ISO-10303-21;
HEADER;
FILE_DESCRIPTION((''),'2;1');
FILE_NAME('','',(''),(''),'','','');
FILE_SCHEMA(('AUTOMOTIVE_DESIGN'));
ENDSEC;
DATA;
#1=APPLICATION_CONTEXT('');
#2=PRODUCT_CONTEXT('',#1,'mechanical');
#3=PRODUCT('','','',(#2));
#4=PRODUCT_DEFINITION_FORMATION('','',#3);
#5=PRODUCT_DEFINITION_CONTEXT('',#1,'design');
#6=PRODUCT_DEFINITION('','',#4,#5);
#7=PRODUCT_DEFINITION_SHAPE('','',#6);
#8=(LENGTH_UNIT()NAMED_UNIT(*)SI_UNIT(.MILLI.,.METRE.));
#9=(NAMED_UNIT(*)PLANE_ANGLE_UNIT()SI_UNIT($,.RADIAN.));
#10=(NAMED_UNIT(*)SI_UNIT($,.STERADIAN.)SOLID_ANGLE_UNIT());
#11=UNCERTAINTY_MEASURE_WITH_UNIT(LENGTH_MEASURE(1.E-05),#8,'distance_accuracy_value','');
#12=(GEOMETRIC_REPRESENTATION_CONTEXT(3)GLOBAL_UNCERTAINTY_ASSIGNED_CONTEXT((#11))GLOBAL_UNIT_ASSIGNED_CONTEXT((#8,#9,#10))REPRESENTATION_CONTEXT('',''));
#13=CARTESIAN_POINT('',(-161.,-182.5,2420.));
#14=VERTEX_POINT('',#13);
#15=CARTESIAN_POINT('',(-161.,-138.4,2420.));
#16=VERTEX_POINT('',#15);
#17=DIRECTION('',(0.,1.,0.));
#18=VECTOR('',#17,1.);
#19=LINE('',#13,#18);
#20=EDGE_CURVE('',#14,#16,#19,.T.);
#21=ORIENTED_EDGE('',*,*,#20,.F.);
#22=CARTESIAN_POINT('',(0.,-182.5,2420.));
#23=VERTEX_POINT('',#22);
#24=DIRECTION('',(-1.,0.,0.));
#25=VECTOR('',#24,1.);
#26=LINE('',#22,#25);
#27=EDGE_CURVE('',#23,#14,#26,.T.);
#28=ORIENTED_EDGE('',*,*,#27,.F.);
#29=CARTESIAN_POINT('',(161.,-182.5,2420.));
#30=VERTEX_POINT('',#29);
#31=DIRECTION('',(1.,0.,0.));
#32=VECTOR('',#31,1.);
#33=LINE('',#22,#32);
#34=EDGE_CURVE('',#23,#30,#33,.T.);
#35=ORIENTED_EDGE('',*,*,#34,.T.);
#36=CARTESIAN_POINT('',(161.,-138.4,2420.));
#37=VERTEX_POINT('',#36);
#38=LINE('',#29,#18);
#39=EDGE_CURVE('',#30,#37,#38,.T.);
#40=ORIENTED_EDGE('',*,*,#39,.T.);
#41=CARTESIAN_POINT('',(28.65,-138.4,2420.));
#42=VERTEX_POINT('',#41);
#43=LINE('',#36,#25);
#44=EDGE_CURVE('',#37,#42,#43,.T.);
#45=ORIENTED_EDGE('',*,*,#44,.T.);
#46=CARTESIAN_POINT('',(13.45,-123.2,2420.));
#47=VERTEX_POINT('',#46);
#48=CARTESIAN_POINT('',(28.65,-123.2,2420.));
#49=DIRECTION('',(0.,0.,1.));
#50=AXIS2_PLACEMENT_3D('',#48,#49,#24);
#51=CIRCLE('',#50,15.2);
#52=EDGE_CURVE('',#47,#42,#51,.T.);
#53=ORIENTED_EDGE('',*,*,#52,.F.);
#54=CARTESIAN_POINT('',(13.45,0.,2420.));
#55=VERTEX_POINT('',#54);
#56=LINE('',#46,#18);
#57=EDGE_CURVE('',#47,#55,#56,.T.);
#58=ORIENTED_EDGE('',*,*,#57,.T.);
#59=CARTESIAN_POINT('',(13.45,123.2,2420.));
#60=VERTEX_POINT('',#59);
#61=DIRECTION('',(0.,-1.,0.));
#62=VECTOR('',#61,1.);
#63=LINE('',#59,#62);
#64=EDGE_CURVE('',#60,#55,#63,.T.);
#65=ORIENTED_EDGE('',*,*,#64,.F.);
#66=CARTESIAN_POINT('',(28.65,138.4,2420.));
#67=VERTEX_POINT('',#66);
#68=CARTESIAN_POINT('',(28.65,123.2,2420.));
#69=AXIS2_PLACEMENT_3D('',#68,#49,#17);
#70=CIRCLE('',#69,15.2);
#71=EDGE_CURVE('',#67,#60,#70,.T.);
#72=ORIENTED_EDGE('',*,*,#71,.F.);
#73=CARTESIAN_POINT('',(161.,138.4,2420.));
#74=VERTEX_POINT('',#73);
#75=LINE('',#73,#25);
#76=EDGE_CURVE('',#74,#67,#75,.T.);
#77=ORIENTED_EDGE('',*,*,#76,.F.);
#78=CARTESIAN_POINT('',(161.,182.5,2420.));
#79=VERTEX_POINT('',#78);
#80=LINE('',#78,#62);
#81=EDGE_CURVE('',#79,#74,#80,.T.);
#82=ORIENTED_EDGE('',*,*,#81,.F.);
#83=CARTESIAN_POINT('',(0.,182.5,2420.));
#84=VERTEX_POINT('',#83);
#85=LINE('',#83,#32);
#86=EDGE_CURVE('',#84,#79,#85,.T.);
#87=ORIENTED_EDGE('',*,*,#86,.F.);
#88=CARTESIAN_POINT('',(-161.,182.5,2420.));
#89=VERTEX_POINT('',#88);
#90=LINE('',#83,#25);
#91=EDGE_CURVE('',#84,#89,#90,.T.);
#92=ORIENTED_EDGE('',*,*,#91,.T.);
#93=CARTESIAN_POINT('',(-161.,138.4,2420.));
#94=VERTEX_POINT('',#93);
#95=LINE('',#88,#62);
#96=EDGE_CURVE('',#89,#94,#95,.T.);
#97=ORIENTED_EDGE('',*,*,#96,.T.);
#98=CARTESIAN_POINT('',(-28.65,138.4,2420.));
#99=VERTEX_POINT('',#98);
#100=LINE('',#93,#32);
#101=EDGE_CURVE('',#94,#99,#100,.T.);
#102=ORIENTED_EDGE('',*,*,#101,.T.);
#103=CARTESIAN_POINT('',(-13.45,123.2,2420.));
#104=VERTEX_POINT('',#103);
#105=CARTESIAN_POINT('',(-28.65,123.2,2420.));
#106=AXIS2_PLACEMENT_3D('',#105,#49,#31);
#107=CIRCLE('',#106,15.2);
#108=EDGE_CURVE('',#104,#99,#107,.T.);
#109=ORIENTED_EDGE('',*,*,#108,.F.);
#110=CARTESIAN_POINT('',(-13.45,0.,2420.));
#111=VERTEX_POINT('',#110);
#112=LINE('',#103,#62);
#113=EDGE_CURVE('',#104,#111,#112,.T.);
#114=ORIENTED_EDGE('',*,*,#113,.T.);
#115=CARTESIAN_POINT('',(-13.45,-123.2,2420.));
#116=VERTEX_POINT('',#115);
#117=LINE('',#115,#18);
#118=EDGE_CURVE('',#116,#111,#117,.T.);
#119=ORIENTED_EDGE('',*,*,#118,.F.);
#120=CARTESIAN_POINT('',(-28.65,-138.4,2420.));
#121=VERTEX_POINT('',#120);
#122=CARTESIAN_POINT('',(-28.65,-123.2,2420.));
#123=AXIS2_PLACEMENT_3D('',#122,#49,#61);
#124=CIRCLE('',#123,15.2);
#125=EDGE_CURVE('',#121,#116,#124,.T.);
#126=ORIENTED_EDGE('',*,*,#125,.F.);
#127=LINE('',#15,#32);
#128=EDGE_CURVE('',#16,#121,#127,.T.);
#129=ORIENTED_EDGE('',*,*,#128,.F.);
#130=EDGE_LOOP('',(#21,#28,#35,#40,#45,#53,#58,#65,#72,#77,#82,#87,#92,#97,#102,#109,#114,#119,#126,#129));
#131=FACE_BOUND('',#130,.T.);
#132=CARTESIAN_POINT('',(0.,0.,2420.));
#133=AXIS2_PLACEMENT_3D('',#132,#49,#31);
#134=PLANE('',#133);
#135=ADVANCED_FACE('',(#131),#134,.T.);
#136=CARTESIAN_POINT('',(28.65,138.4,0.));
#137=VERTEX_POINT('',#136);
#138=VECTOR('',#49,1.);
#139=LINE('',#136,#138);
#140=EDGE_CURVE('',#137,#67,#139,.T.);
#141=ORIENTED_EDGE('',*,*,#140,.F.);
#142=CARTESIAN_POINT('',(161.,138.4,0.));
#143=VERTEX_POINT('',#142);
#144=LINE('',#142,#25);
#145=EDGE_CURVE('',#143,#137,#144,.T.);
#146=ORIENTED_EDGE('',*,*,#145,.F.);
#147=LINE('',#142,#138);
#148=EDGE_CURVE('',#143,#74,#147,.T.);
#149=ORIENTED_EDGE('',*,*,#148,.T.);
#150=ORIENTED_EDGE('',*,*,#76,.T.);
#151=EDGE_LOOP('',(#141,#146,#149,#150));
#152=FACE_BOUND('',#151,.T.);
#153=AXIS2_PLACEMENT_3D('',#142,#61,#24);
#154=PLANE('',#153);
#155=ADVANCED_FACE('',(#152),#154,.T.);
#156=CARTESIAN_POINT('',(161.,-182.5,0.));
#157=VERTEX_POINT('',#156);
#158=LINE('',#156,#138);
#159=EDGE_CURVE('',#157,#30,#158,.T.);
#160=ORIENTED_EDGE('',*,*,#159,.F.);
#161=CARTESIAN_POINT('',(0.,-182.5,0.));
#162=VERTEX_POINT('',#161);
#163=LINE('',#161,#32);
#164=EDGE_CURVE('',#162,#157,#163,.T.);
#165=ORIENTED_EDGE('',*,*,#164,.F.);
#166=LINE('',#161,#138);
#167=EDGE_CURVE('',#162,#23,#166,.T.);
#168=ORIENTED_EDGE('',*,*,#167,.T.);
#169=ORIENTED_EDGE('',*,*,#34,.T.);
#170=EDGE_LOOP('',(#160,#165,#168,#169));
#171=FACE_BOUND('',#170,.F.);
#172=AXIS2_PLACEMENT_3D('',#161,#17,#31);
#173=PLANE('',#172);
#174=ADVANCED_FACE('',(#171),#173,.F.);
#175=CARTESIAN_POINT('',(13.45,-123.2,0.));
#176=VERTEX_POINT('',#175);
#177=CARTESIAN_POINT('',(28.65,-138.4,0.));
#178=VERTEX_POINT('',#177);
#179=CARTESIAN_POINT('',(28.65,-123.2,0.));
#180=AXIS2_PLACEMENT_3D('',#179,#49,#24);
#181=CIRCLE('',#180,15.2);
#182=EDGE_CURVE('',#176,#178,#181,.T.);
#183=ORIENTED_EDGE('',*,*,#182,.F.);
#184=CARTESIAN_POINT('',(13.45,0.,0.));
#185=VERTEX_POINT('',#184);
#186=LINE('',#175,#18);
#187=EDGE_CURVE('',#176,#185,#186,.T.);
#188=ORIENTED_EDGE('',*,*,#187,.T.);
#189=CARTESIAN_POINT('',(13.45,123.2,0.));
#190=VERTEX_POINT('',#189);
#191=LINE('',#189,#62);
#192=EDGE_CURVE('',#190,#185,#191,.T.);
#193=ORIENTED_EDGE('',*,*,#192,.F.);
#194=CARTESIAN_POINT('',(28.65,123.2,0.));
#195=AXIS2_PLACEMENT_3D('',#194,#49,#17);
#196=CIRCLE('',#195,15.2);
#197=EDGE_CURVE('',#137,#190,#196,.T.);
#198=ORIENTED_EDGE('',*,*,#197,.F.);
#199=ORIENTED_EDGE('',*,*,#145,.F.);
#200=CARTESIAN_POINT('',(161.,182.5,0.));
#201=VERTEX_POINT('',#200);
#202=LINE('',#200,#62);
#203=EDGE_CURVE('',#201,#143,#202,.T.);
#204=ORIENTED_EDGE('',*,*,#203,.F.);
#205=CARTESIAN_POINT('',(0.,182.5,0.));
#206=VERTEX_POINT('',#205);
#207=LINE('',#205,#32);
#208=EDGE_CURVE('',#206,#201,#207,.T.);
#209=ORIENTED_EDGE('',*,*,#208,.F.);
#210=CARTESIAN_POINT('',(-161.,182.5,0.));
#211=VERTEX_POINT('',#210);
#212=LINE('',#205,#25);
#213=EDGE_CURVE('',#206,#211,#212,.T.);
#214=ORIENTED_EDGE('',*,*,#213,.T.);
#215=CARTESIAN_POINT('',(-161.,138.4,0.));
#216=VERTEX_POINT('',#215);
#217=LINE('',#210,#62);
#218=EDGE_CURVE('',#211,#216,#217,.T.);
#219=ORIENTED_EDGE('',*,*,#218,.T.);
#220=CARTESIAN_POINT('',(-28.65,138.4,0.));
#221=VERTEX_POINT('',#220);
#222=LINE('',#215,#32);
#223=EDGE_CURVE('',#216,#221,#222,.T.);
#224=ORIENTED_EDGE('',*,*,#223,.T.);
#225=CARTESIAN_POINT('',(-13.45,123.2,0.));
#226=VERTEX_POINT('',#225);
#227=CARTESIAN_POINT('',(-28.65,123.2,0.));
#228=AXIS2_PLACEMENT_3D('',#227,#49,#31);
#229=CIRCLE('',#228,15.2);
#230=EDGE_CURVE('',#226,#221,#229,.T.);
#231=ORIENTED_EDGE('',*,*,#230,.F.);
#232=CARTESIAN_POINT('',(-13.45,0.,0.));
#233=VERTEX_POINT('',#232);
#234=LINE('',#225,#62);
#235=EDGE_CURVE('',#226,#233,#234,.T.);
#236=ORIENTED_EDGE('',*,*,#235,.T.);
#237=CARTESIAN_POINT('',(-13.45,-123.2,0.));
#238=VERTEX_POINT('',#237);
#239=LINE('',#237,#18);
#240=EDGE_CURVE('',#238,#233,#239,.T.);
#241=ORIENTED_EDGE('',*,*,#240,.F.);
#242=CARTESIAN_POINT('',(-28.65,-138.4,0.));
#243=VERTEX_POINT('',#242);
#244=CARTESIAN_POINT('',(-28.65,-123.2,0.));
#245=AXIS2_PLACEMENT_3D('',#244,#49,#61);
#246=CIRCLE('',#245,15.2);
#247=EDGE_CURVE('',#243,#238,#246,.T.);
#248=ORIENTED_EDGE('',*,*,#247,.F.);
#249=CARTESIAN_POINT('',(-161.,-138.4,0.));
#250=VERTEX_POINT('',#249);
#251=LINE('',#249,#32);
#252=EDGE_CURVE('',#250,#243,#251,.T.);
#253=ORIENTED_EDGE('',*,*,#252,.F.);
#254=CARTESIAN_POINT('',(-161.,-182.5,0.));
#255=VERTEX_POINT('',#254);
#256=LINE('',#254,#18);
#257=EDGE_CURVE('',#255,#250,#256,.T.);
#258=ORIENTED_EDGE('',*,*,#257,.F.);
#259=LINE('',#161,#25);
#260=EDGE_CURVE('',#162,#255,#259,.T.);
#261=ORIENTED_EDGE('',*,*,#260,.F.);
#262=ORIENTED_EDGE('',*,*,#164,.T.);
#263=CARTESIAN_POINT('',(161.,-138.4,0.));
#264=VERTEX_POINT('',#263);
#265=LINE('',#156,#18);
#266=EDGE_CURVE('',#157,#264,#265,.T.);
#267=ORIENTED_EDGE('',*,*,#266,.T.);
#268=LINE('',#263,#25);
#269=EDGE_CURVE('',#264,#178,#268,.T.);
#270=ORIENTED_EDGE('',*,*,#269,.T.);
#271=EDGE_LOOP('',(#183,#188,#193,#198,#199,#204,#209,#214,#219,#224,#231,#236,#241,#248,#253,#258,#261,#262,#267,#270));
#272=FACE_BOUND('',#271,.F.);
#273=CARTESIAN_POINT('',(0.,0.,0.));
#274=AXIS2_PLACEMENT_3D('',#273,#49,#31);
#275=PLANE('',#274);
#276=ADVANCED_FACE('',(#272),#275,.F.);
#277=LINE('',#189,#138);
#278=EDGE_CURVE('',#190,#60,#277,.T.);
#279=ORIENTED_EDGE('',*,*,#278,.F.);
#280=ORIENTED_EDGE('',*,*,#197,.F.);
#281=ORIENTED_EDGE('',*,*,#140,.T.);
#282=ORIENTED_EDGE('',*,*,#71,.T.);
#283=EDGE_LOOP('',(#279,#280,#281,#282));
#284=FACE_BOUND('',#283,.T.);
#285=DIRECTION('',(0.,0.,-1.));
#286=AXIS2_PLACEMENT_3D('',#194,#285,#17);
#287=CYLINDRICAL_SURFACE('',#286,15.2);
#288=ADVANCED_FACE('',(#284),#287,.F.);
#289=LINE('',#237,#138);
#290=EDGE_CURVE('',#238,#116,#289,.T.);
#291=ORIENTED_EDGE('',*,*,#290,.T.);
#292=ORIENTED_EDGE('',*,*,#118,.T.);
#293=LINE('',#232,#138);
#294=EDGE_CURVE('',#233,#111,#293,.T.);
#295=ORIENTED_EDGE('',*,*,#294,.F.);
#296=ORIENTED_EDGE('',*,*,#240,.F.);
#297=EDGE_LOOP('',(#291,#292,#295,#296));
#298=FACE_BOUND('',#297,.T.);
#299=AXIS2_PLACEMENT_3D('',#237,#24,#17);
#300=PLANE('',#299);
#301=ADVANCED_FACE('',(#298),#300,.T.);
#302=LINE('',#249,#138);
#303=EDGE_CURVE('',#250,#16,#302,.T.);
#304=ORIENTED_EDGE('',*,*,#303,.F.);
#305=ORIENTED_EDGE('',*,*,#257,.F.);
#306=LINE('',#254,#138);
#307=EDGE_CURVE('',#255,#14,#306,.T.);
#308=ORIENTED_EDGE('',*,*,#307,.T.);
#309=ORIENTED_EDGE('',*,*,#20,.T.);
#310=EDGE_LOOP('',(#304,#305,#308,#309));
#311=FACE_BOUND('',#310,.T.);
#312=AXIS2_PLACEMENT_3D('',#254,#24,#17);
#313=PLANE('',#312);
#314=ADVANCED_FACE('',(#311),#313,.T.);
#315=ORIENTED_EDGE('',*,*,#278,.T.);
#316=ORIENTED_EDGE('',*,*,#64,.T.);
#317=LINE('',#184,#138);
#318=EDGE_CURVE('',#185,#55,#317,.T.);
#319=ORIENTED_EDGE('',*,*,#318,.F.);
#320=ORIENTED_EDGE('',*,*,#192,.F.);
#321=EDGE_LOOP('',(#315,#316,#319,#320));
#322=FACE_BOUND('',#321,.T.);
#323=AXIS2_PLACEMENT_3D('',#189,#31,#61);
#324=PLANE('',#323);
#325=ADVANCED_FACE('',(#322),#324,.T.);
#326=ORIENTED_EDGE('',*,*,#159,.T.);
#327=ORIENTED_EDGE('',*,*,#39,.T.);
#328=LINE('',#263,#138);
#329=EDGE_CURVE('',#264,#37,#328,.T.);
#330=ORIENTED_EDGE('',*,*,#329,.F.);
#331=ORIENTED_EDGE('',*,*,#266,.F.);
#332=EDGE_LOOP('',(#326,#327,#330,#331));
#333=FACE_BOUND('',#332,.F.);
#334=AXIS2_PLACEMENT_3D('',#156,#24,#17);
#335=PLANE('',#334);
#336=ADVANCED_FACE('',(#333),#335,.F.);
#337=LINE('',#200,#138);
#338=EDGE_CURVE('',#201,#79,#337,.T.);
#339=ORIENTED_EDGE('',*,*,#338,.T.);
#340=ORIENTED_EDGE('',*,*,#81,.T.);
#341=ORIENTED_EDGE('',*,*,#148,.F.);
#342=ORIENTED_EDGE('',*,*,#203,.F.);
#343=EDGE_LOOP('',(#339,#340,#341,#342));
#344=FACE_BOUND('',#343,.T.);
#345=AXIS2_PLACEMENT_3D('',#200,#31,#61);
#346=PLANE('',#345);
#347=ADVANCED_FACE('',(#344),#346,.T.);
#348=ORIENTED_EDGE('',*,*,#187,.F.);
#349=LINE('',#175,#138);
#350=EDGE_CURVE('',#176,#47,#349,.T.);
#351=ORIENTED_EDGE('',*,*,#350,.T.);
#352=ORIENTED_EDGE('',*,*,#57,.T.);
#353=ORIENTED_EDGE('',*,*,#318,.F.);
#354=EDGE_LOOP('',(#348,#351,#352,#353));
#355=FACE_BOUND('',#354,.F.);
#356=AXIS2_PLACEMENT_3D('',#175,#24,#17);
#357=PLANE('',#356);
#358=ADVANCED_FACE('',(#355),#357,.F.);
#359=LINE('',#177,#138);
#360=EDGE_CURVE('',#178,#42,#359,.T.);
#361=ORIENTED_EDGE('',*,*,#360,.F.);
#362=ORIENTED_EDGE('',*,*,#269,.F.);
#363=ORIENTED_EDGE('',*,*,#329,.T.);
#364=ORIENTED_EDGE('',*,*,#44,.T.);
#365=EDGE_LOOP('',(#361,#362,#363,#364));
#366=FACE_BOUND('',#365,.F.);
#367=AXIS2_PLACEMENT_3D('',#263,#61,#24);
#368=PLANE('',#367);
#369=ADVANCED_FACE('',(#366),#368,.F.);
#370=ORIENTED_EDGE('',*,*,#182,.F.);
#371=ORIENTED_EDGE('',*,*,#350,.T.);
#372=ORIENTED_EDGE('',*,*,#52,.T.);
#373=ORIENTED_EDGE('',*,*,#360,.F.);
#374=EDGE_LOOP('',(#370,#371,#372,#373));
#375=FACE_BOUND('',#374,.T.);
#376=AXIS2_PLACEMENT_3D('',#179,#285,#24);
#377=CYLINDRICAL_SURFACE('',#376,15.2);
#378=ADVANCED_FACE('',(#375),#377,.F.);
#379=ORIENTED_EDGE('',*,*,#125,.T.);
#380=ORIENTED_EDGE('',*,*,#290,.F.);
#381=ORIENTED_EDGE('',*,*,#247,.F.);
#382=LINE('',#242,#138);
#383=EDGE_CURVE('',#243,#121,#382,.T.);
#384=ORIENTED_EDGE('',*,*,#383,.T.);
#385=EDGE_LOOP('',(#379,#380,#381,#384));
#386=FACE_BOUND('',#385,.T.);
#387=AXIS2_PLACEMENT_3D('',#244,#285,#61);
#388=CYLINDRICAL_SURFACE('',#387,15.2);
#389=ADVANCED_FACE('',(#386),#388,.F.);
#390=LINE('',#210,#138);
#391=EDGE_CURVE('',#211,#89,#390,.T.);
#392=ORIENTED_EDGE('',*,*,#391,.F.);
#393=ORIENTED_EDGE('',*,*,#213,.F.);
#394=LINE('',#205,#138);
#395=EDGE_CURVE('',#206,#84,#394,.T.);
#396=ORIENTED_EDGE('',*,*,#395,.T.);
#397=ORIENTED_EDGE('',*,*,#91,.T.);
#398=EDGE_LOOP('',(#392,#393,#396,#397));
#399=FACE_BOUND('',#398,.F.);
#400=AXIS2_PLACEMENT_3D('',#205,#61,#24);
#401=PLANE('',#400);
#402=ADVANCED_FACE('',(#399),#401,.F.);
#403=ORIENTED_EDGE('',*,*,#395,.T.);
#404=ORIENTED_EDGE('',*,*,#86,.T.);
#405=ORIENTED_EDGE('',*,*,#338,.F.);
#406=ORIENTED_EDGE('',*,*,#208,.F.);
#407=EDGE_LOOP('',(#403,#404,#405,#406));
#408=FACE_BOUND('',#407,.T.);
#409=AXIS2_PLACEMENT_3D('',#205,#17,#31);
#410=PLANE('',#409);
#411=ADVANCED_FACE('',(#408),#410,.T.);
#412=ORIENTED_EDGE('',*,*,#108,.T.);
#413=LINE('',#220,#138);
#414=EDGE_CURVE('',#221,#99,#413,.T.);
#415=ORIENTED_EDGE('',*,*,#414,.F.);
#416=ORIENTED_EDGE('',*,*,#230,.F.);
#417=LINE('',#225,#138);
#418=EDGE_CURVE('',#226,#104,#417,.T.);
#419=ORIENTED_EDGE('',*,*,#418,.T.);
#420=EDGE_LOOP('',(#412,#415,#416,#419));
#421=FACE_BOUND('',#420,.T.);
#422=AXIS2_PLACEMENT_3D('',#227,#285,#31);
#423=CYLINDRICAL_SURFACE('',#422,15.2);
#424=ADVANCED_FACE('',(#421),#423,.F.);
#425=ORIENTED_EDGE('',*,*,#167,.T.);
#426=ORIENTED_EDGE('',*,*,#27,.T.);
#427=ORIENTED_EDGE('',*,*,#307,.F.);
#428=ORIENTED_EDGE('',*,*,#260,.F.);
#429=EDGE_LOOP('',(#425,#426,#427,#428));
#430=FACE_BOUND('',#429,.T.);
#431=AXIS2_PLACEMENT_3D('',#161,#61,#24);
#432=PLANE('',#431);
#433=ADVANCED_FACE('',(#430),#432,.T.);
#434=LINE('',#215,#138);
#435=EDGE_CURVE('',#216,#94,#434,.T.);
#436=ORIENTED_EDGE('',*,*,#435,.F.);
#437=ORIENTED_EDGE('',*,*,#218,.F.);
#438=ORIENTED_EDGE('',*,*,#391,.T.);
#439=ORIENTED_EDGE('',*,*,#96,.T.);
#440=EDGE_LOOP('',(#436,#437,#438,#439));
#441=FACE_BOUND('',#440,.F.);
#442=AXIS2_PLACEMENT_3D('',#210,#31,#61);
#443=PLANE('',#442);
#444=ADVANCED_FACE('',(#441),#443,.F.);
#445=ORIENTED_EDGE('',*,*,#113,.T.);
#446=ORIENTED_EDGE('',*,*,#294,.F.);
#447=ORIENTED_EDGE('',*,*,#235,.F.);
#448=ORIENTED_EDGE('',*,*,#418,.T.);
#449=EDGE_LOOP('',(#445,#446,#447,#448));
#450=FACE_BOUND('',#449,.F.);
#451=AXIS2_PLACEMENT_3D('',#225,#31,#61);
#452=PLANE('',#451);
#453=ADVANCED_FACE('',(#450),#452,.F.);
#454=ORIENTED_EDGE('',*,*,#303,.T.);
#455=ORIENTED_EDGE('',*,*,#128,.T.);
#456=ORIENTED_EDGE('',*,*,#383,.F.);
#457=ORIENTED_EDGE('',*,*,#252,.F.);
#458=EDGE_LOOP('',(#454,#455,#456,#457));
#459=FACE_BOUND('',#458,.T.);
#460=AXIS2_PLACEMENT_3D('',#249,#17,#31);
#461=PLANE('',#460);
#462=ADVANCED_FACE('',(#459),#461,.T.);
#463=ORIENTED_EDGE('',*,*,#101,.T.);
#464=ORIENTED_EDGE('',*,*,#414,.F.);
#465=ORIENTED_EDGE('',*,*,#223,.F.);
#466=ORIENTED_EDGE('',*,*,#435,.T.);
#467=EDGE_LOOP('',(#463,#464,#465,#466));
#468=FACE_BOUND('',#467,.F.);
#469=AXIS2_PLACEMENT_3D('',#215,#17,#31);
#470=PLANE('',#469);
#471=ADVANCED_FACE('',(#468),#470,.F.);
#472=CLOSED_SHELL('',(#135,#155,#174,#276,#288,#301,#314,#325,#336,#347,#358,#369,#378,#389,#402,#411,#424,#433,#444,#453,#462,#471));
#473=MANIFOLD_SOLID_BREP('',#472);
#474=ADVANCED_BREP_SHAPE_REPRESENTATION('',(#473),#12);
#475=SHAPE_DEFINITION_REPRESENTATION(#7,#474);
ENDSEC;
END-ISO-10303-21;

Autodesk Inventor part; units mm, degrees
ref_plane "YZ Plane" through (0, 0, 0) normal (1, 0, 0) x (0, 1, 0)
ref_plane "Start plane" through (0, 0, 0) normal (0, 0, 1) x (1, 0, 0)
ref_plane "End plane" through (0, 0, 2420) normal (0, 0, 1) x (1, 0, 0)
sketch "Sketch" plane through (0, 0, 0) normal (0, 0, 1) x (1, 0, 0)
  line L0 (-161, -182.5) -> (-161, -138.4)
  line L1 (-161, -138.4) -> (-28.65, -138.4)
  line L2 (-13.45, -123.2) -> (-13.45, 0)
  line L3 (-13.45, 0) -> (0, 0) construction
  line L4 (0, 0) -> (0, -182.5) construction
  line L5 (0, -182.5) -> (-161, -182.5)
  line L6 (-60, 0) -> (80, 0) construction
  line L7 (0, -60) -> (0, 80) construction
  line L8 (161, -182.5) -> (161, -138.4)
  line L9 (161, -138.4) -> (28.65, -138.4)
  line L10 (13.45, -123.2) -> (13.45, 0)
  line L11 (13.45, 0) -> (0, 0) construction
  line L12 (0, -182.5) -> (161, -182.5)
  line L13 (-161, 182.5) -> (-161, 138.4)
  line L14 (-161, 138.4) -> (-28.65, 138.4)
  line L15 (-13.45, 123.2) -> (-13.45, 0)
  line L16 (0, 182.5) -> (-161, 182.5)
  line L17 (161, 182.5) -> (161, 138.4)
  line L18 (161, 138.4) -> (28.65, 138.4)
  line L19 (0, 182.5) -> (161, 182.5)
  line L20 (13.45, 123.2) -> (13.45, 0)
  arc A0 (-13.45, 123.2) -> (-28.65, 138.4) centre (-28.65, 123.2) ccw
  arc A1 (28.65, 138.4) -> (13.45, 123.2) centre (28.65, 123.2) ccw
  arc A2 (13.45, -123.2) -> (28.65, -138.4) centre (28.65, -123.2) ccw
  arc A3 (-28.65, -138.4) -> (-13.45, -123.2) centre (-28.65, -123.2) ccw
  line L21 (0, 108) -> (0, -88) construction
  line L22 (-88, 0) -> (108, 0) construction
  point P0 (-13.45, -138.4)
  point P1 (13.45, -138.4)
  point P2 (-13.45, 138.4)
  point P3 (13.45, 138.4)
  dimension "d1" = 182.5
  dimension "d2" = 44.1
  dimension "d3" = 161
  dimension "d4" = 13.45
  dimension "d10" = 15.2
extrude "Body" add sketch "Sketch" along normal up to surface (2420 mm away) from surface at 0
sketch "Sketch4" plane through (0, 0, 0) normal (0, 0, 1) x (1, 0, 0)
  line L0 (0, 0) -> (10, 0)
ref_plane "Work Plane3" through (0, 0, 0) normal (0, -1, 0) x (1, 0, 0)
sketch "Sketch5" plane through (0, 0, 0) normal (0, -1, 0) x (1, 0, 0)
  line L0 (-2, 0) -> (12, 0) projected
  line L1 (-2, 2420) -> (12, 2420) projected
  dimension "d14" = 2420
equation "\"d1\" = 0.5 * G_H"
equation "\"d2\" = G_T1"
equation "\"d3\" = 0.5 * G_W"
equation "\"d4\" = 0.5 * G_T"
equation "\"d10\" = G_IR"
equation "\"d5\" = G_L"
equation "\"G_W\" = 322"
equation "\"G_H\" = 365"
equation "\"G_T\" = 26.9"
equation "\"G_T1\" = 44.1"
equation "\"G_IR\" = 15.2"
equation "\"G_L\" = d14"
equation "\"G_OFFSET_START\" = 0"
equation "\"G_OFFSET_END\" = 0"
properties part number "AS 3679 - 310 UC - 283 - 2420" material "Steel, Mild"
